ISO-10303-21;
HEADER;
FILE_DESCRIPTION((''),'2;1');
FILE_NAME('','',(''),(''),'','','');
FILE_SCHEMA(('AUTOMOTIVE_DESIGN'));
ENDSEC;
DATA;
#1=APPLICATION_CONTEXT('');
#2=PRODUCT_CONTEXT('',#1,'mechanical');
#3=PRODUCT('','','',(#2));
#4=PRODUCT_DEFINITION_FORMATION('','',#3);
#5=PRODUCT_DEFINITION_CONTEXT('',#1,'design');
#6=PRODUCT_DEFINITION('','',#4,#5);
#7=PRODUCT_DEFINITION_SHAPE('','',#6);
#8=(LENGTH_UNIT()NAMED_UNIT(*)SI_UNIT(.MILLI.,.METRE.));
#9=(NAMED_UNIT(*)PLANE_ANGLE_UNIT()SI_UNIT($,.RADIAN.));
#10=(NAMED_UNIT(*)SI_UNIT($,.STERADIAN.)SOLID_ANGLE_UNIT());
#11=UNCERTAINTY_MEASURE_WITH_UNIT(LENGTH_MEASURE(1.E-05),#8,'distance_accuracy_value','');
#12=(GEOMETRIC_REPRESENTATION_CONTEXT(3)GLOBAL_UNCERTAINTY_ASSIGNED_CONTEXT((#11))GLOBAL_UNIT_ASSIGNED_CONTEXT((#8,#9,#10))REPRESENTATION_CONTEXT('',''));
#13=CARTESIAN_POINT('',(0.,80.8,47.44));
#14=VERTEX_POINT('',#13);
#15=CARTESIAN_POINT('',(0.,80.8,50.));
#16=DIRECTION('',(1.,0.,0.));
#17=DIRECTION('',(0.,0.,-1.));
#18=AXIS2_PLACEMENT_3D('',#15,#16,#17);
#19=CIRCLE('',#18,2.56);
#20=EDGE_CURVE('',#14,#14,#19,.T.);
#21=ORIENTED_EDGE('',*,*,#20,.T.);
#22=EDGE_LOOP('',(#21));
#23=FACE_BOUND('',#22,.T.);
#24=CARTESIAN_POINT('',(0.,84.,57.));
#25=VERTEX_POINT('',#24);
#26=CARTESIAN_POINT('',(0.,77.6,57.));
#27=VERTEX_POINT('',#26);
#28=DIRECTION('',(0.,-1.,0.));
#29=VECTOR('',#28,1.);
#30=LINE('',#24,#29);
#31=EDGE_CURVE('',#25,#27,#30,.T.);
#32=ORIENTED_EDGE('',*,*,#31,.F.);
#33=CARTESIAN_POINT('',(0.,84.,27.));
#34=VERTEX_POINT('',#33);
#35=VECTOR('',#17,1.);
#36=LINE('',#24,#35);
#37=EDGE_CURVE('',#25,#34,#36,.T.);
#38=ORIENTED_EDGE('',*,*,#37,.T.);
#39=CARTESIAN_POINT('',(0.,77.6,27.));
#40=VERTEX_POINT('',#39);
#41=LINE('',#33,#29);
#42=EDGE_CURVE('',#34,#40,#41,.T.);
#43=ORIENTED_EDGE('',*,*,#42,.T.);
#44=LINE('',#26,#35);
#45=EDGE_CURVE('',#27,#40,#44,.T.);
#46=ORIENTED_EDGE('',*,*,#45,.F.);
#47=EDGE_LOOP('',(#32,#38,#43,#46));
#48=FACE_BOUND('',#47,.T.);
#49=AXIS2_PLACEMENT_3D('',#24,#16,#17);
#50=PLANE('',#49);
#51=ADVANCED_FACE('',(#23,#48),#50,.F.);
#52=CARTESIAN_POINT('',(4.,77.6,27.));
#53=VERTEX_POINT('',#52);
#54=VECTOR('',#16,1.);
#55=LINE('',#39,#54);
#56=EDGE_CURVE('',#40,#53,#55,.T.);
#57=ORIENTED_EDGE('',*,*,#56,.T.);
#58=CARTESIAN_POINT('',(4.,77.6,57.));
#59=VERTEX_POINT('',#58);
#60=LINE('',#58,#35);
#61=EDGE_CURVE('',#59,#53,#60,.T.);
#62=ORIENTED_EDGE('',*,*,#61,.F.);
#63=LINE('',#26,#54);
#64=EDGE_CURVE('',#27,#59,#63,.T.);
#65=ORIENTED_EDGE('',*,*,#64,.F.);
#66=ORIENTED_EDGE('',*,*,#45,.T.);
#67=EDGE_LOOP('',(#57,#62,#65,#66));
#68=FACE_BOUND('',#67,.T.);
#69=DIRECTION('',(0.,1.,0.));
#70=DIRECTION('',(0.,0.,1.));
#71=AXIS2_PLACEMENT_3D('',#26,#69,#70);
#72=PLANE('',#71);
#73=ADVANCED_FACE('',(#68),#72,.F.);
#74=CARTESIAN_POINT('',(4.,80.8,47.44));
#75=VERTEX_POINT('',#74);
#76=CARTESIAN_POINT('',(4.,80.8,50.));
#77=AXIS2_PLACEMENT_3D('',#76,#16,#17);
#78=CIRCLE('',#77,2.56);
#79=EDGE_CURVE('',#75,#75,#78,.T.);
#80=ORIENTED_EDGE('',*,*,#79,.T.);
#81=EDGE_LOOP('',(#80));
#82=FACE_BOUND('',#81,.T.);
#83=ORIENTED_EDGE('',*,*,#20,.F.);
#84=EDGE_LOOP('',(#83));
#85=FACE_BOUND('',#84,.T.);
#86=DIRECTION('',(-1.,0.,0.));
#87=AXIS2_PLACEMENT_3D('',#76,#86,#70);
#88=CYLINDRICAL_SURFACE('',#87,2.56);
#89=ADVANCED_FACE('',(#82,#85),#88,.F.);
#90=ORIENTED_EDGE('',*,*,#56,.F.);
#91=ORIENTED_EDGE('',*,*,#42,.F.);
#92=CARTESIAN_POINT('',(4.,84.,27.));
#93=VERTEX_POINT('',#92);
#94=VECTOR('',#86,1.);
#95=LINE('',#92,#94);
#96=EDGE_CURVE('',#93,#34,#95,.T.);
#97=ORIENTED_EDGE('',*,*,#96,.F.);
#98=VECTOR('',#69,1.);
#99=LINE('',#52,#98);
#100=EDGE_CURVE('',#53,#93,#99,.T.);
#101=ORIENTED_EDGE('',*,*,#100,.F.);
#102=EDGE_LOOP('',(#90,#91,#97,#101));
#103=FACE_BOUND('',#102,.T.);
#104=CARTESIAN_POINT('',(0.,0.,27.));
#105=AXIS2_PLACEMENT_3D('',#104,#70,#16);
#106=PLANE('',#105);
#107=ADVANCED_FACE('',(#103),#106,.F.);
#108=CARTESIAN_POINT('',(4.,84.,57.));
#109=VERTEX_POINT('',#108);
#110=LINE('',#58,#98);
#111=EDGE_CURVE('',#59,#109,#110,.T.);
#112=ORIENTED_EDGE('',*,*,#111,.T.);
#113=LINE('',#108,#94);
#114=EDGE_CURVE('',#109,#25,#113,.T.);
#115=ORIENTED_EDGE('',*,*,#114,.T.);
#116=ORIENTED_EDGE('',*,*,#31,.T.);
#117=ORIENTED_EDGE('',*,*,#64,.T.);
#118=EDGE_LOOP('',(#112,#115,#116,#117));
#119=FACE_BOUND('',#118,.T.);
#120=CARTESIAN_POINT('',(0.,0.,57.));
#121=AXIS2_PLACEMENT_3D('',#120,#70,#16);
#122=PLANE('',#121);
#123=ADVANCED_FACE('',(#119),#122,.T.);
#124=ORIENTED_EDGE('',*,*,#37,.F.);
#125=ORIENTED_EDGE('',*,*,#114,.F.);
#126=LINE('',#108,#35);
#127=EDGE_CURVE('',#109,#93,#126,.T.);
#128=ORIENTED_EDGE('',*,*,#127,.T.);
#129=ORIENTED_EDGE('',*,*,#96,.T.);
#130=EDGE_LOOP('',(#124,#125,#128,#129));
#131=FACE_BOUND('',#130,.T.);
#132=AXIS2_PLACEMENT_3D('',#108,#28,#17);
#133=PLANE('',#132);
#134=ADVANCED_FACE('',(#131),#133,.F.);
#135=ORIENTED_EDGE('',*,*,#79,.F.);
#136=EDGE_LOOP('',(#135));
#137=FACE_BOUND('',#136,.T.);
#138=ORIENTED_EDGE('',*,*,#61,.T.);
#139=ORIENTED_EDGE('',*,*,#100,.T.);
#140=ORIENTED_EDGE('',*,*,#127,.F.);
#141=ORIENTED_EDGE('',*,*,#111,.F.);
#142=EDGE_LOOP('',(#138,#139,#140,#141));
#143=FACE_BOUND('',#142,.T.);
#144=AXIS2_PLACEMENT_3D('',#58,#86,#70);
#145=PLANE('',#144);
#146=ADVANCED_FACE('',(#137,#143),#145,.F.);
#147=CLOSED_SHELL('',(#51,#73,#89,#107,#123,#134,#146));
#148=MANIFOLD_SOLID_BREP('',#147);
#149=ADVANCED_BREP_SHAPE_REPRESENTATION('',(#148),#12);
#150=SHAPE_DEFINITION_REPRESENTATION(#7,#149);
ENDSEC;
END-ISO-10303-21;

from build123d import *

# Parameters (mm, degrees)
BASE_MOUNTED_START            = 27
SKETCH1_W                     = 4
SKETCH1_H                     = 6.4
BASE_MOUNTED_STOP_BLOCK_DEPTH = 30
SKETCH2_R                     = 2.56
M6_TAP_CORE_DEPTH             = 4


with BuildPart() as part:
    # Sketch1 → Base-mounted stop block (new body)
    with BuildSketch(Plane.XY.offset(BASE_MOUNTED_START)):
        with Locations((2, 80.8)):
            Rectangle(SKETCH1_W, SKETCH1_H)
    extrude(amount=BASE_MOUNTED_STOP_BLOCK_DEPTH)

    # Sketch2 → M6 tap core (cut)
    with BuildSketch(Plane(origin=(0, 0, 0), x_dir=(0, 0, -1), z_dir=(1, 0, 0))):
        with Locations((-50, 80.8)):
            Circle(SKETCH2_R)
    extrude(amount=M6_TAP_CORE_DEPTH, mode=Mode.SUBTRACT)


solid = part.part
